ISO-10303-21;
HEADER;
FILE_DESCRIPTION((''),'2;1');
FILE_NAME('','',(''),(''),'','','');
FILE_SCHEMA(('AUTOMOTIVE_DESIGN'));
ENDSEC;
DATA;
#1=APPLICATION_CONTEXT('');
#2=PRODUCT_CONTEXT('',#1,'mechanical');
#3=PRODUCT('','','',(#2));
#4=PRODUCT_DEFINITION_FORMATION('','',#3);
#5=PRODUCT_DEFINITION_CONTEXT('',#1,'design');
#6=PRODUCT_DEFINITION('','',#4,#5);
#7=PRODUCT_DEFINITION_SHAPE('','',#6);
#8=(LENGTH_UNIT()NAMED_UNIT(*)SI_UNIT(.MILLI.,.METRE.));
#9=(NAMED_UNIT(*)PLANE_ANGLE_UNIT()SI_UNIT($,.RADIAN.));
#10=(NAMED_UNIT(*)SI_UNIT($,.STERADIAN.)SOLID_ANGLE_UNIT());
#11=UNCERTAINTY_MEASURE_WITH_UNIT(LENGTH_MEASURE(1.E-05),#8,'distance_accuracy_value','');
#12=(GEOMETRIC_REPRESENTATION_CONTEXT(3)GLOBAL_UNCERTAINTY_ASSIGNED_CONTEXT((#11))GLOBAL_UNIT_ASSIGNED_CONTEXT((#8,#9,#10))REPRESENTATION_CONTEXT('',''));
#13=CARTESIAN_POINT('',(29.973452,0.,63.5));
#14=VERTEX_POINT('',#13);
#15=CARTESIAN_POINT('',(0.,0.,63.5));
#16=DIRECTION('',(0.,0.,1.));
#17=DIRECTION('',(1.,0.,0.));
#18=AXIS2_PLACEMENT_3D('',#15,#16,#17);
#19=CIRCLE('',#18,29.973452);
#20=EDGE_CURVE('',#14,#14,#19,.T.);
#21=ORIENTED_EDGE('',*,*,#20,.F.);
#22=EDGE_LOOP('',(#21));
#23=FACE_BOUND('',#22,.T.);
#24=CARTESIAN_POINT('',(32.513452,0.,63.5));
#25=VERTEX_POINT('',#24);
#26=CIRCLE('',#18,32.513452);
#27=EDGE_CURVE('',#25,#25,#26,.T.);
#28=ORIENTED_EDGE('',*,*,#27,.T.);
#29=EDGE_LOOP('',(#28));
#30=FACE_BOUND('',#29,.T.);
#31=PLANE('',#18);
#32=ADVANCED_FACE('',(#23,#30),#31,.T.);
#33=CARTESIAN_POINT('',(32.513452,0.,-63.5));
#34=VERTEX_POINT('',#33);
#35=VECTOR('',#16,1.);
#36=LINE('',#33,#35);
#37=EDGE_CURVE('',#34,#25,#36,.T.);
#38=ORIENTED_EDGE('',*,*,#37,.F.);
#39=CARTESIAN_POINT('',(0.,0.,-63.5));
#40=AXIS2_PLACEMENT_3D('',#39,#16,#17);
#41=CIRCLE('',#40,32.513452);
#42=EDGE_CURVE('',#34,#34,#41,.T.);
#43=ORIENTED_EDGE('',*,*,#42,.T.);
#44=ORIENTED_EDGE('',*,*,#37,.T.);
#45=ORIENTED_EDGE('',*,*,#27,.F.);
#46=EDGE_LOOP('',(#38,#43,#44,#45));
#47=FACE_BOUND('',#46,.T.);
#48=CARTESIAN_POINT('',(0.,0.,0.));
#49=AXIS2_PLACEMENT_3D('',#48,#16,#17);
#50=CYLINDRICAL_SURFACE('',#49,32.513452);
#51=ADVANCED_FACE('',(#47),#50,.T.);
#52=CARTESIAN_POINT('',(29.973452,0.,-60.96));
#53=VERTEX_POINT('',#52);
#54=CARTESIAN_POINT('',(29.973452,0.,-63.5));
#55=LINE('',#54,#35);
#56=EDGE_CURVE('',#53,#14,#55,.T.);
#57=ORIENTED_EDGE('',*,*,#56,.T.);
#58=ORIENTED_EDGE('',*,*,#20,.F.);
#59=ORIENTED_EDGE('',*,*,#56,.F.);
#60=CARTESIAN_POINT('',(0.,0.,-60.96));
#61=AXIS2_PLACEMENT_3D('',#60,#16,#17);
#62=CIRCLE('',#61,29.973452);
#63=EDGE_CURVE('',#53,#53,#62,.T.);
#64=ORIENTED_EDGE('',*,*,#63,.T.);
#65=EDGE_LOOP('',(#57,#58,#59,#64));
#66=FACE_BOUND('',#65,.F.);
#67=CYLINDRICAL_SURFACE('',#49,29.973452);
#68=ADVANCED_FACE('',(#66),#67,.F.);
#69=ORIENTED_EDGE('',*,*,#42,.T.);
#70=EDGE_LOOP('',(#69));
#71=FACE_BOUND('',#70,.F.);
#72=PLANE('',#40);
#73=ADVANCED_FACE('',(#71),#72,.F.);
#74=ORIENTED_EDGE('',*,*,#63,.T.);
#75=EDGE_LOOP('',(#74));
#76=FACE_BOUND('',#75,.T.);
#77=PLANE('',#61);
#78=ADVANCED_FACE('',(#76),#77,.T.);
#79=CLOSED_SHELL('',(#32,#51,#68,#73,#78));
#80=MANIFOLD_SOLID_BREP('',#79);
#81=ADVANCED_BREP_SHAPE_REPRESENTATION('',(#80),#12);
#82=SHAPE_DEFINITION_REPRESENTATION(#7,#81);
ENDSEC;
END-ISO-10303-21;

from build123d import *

# Parameters (mm, degrees)
F0_R     = 32.513452
F1_DEPTH = 63.5
F2_T     = -2.54


with BuildPart() as f1:
    # F0 (on Top) → F1 (new body, symmetric)
    with BuildSketch(Plane.XY):
        Circle(F0_R)
    extrude(amount=F1_DEPTH, both=True)

    # F2
    f2_openings = [f1.faces().sort_by_distance(p)[0] for p in [
        (0, 0, 63.5),
    ]]
    offset(amount=F2_T, openings=f2_openings)


solid = f1.part
